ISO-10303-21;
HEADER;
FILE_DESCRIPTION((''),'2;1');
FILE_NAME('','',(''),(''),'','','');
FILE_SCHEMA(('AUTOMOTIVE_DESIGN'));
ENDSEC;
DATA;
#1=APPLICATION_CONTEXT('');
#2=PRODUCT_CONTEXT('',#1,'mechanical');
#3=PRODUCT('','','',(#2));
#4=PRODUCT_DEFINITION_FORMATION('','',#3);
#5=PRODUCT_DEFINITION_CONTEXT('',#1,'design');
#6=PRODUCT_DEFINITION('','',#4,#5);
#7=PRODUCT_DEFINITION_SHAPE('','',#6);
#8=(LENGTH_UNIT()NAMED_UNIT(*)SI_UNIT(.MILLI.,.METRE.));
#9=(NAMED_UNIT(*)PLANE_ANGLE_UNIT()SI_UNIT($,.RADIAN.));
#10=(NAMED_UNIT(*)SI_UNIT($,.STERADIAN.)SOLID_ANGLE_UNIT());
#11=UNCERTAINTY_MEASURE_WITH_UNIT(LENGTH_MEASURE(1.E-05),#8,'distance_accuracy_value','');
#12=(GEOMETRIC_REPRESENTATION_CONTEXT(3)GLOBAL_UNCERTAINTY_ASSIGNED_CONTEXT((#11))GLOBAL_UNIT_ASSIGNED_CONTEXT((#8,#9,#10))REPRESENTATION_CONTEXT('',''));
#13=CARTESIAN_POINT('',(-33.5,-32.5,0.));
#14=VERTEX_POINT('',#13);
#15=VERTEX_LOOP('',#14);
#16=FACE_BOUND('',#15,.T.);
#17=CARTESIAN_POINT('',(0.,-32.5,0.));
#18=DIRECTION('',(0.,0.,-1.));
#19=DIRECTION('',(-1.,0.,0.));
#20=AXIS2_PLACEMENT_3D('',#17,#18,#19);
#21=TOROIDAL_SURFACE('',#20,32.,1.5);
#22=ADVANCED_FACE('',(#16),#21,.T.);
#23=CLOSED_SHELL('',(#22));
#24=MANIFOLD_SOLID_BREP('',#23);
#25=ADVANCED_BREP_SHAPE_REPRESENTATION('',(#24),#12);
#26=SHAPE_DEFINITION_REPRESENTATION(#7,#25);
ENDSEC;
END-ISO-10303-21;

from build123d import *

# Parameters (mm, degrees)
ESBO_O2_R = 1.5


with BuildPart() as part:
    # Esboço2 → Revolução1 (revolve)
    with BuildSketch(Plane(origin=(0, 0, 0), x_dir=(0, 0, -1), z_dir=(1, 0, 0)), mode=Mode.PRIVATE) as revolu_o1_sk:
        with Locations((0, -0.5)):
            Circle(ESBO_O2_R)
    revolve(revolu_o1_sk.sketch.rotate(Axis((0, -32.5, -88.99), (0, 0, 1)), 90), axis=Axis((0, -32.5, -88.99), (0, 0, 1)))


solid = part.part
